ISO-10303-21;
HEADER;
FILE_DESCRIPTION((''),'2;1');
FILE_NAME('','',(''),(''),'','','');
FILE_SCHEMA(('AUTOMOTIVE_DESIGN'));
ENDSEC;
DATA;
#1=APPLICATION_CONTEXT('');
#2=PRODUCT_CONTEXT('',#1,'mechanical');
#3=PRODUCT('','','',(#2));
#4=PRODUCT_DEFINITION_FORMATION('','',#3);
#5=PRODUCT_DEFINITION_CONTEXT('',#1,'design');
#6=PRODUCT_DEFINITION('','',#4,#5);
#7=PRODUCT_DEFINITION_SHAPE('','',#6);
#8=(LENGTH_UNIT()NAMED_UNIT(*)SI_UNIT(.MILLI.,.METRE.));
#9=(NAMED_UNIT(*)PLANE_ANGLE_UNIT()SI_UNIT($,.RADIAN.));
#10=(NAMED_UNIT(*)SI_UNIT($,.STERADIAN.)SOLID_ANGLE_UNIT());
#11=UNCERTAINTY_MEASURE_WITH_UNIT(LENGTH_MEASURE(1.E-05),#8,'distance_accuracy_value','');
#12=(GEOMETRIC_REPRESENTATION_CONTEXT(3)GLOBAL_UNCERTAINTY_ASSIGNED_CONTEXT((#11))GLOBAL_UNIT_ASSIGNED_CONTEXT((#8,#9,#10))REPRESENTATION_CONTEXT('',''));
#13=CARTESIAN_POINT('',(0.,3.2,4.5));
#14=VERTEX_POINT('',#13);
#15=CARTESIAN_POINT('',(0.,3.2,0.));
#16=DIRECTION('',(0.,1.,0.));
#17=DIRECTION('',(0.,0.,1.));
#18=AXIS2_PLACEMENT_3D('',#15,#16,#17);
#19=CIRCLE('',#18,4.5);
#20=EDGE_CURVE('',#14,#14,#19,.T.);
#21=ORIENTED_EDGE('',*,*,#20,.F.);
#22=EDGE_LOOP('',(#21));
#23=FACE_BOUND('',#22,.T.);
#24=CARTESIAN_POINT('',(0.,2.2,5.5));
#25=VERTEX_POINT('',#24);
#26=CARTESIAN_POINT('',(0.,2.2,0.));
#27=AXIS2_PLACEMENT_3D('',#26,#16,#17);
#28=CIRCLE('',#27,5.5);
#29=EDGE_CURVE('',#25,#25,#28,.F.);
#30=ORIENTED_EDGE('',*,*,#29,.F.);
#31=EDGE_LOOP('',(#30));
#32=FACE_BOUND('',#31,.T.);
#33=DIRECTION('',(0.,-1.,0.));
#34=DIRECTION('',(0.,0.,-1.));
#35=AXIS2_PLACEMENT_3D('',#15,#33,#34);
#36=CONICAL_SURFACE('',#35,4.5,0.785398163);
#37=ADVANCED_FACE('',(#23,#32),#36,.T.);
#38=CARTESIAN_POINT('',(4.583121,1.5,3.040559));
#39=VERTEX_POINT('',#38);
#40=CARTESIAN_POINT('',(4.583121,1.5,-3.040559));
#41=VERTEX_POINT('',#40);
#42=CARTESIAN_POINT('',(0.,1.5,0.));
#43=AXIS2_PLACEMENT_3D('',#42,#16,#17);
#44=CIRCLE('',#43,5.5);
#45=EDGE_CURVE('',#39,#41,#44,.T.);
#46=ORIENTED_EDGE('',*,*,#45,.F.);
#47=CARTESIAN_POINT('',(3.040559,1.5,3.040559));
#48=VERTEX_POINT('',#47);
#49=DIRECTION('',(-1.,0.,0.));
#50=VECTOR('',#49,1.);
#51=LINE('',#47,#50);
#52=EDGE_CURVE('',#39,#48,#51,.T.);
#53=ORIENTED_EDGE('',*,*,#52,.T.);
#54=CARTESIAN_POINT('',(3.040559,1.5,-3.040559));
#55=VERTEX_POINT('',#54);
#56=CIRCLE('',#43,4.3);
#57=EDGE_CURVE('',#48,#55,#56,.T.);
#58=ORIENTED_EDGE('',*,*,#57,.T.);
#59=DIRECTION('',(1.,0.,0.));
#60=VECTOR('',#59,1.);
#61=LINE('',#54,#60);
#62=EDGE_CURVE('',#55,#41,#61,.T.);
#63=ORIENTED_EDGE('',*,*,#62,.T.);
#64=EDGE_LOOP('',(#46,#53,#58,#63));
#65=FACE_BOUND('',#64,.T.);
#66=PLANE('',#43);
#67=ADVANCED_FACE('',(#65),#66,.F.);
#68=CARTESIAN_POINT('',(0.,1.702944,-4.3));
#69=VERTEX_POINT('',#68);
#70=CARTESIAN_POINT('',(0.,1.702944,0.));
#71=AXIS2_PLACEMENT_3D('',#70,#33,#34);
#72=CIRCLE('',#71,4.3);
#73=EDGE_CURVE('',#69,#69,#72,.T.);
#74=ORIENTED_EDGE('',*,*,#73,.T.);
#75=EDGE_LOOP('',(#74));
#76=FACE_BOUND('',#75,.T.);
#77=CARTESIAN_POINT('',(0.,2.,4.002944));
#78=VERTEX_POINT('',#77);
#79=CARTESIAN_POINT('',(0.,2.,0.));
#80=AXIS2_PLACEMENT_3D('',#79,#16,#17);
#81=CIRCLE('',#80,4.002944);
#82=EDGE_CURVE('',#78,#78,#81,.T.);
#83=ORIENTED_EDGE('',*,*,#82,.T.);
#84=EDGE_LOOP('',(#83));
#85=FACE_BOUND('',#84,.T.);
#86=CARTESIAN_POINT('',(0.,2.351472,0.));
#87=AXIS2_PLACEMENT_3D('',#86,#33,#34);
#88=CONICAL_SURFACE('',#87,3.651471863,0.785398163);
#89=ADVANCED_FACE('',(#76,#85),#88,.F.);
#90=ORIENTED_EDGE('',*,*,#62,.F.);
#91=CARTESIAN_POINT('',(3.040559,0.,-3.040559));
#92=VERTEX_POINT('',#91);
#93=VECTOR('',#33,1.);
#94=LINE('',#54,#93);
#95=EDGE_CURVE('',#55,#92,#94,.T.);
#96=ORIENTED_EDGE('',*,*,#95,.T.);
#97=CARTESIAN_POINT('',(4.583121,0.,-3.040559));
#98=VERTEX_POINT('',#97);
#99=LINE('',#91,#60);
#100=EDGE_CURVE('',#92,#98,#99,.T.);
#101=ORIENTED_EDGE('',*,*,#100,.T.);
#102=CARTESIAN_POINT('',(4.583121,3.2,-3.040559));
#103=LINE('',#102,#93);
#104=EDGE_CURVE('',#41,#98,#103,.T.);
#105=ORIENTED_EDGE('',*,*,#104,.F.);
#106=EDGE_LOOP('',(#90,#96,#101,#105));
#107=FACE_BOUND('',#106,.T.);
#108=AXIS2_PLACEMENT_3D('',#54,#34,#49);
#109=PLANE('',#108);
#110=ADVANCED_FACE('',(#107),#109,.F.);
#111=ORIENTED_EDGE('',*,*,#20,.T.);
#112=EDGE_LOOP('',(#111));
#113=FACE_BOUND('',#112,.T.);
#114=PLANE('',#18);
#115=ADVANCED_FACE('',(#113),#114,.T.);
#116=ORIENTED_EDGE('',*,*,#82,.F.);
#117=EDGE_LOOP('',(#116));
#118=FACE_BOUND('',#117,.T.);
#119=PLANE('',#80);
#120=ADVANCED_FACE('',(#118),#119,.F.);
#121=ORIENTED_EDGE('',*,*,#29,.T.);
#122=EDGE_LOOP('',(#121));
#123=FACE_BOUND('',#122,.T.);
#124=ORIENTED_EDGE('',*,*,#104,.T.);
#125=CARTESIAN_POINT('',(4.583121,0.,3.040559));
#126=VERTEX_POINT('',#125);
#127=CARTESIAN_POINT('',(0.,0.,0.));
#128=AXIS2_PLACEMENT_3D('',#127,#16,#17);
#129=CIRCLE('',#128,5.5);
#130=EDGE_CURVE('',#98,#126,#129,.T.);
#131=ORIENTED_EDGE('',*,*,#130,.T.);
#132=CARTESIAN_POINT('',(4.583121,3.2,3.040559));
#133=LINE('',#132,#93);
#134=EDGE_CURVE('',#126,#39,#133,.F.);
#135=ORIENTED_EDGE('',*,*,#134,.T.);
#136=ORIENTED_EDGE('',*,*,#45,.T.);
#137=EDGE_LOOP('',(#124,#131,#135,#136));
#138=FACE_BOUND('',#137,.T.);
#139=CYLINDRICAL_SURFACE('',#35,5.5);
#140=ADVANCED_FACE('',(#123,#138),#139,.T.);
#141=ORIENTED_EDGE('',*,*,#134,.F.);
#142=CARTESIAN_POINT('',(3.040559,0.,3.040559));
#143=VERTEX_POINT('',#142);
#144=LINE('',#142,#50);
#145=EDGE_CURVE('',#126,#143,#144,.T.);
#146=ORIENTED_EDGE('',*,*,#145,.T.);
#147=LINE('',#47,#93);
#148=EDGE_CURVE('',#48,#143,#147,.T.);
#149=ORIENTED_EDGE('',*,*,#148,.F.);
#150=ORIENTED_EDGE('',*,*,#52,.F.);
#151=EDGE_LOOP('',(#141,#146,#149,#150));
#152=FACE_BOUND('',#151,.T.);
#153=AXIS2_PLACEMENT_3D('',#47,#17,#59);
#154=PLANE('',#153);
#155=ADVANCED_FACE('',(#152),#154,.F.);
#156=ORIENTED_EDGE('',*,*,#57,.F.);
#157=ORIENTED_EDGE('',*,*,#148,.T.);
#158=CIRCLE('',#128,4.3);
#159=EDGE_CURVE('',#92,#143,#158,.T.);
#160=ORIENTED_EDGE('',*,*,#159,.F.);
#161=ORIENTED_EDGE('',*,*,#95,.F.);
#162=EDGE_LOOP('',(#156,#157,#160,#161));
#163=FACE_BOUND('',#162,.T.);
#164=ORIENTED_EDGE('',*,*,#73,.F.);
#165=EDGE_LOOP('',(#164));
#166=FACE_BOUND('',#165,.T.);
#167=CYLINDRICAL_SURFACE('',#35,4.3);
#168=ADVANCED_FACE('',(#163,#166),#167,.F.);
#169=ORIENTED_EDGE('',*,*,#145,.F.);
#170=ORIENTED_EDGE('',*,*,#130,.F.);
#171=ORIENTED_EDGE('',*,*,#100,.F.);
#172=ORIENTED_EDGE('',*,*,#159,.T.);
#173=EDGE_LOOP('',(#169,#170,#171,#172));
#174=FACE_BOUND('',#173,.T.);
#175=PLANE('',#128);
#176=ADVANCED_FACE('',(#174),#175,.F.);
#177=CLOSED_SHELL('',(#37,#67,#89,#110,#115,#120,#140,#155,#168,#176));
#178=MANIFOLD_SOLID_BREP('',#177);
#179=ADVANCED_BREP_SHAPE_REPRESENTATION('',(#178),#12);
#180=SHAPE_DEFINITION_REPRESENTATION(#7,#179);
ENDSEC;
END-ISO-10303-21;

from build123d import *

# Parameters (mm, degrees)
SKETCH1_R           = 5.5
BOSS_EXTRUDE1_DEPTH = 3.2
CHAMFER2_SIZE       = 1
SHELL1_T            = -1.2
SKETCH4_W           = 6.081118318
SKETCH4_H           = 6.081118318
CUT_EXTRUDE1_DEPTH  = 1.5


with BuildPart() as part:
    # Sketch1 → Boss-Extrude1 (new body)
    with BuildSketch(Plane(origin=(0, 0, 0), x_dir=(1, 0, 0), z_dir=(0, 1, 0))):
        with Locations(Location((0, 0, 0), (0, 0, 270))):
            Circle(SKETCH1_R)
    extrude(amount=BOSS_EXTRUDE1_DEPTH)

    # Chamfer2
    chamfer2_edges = [part.edges().sort_by_distance(p)[0] for p in [
        (0, 3.2, -5.5),
    ]]
    chamfer(chamfer2_edges, length=CHAMFER2_SIZE)

    # Shell1
    shell1_openings = [part.faces().sort_by_distance(p)[0] for p in [
        (0, 0, 0),
    ]]
    offset(amount=SHELL1_T, openings=shell1_openings, kind=Kind.INTERSECTION)

    # Sketch4 → Cut-Extrude1 (cut)
    with BuildSketch(Plane.XZ):
        with Locations((6.081118318, 0)):
            Rectangle(SKETCH4_W, SKETCH4_H)
    extrude(amount=-CUT_EXTRUDE1_DEPTH, mode=Mode.SUBTRACT)


solid = part.part
